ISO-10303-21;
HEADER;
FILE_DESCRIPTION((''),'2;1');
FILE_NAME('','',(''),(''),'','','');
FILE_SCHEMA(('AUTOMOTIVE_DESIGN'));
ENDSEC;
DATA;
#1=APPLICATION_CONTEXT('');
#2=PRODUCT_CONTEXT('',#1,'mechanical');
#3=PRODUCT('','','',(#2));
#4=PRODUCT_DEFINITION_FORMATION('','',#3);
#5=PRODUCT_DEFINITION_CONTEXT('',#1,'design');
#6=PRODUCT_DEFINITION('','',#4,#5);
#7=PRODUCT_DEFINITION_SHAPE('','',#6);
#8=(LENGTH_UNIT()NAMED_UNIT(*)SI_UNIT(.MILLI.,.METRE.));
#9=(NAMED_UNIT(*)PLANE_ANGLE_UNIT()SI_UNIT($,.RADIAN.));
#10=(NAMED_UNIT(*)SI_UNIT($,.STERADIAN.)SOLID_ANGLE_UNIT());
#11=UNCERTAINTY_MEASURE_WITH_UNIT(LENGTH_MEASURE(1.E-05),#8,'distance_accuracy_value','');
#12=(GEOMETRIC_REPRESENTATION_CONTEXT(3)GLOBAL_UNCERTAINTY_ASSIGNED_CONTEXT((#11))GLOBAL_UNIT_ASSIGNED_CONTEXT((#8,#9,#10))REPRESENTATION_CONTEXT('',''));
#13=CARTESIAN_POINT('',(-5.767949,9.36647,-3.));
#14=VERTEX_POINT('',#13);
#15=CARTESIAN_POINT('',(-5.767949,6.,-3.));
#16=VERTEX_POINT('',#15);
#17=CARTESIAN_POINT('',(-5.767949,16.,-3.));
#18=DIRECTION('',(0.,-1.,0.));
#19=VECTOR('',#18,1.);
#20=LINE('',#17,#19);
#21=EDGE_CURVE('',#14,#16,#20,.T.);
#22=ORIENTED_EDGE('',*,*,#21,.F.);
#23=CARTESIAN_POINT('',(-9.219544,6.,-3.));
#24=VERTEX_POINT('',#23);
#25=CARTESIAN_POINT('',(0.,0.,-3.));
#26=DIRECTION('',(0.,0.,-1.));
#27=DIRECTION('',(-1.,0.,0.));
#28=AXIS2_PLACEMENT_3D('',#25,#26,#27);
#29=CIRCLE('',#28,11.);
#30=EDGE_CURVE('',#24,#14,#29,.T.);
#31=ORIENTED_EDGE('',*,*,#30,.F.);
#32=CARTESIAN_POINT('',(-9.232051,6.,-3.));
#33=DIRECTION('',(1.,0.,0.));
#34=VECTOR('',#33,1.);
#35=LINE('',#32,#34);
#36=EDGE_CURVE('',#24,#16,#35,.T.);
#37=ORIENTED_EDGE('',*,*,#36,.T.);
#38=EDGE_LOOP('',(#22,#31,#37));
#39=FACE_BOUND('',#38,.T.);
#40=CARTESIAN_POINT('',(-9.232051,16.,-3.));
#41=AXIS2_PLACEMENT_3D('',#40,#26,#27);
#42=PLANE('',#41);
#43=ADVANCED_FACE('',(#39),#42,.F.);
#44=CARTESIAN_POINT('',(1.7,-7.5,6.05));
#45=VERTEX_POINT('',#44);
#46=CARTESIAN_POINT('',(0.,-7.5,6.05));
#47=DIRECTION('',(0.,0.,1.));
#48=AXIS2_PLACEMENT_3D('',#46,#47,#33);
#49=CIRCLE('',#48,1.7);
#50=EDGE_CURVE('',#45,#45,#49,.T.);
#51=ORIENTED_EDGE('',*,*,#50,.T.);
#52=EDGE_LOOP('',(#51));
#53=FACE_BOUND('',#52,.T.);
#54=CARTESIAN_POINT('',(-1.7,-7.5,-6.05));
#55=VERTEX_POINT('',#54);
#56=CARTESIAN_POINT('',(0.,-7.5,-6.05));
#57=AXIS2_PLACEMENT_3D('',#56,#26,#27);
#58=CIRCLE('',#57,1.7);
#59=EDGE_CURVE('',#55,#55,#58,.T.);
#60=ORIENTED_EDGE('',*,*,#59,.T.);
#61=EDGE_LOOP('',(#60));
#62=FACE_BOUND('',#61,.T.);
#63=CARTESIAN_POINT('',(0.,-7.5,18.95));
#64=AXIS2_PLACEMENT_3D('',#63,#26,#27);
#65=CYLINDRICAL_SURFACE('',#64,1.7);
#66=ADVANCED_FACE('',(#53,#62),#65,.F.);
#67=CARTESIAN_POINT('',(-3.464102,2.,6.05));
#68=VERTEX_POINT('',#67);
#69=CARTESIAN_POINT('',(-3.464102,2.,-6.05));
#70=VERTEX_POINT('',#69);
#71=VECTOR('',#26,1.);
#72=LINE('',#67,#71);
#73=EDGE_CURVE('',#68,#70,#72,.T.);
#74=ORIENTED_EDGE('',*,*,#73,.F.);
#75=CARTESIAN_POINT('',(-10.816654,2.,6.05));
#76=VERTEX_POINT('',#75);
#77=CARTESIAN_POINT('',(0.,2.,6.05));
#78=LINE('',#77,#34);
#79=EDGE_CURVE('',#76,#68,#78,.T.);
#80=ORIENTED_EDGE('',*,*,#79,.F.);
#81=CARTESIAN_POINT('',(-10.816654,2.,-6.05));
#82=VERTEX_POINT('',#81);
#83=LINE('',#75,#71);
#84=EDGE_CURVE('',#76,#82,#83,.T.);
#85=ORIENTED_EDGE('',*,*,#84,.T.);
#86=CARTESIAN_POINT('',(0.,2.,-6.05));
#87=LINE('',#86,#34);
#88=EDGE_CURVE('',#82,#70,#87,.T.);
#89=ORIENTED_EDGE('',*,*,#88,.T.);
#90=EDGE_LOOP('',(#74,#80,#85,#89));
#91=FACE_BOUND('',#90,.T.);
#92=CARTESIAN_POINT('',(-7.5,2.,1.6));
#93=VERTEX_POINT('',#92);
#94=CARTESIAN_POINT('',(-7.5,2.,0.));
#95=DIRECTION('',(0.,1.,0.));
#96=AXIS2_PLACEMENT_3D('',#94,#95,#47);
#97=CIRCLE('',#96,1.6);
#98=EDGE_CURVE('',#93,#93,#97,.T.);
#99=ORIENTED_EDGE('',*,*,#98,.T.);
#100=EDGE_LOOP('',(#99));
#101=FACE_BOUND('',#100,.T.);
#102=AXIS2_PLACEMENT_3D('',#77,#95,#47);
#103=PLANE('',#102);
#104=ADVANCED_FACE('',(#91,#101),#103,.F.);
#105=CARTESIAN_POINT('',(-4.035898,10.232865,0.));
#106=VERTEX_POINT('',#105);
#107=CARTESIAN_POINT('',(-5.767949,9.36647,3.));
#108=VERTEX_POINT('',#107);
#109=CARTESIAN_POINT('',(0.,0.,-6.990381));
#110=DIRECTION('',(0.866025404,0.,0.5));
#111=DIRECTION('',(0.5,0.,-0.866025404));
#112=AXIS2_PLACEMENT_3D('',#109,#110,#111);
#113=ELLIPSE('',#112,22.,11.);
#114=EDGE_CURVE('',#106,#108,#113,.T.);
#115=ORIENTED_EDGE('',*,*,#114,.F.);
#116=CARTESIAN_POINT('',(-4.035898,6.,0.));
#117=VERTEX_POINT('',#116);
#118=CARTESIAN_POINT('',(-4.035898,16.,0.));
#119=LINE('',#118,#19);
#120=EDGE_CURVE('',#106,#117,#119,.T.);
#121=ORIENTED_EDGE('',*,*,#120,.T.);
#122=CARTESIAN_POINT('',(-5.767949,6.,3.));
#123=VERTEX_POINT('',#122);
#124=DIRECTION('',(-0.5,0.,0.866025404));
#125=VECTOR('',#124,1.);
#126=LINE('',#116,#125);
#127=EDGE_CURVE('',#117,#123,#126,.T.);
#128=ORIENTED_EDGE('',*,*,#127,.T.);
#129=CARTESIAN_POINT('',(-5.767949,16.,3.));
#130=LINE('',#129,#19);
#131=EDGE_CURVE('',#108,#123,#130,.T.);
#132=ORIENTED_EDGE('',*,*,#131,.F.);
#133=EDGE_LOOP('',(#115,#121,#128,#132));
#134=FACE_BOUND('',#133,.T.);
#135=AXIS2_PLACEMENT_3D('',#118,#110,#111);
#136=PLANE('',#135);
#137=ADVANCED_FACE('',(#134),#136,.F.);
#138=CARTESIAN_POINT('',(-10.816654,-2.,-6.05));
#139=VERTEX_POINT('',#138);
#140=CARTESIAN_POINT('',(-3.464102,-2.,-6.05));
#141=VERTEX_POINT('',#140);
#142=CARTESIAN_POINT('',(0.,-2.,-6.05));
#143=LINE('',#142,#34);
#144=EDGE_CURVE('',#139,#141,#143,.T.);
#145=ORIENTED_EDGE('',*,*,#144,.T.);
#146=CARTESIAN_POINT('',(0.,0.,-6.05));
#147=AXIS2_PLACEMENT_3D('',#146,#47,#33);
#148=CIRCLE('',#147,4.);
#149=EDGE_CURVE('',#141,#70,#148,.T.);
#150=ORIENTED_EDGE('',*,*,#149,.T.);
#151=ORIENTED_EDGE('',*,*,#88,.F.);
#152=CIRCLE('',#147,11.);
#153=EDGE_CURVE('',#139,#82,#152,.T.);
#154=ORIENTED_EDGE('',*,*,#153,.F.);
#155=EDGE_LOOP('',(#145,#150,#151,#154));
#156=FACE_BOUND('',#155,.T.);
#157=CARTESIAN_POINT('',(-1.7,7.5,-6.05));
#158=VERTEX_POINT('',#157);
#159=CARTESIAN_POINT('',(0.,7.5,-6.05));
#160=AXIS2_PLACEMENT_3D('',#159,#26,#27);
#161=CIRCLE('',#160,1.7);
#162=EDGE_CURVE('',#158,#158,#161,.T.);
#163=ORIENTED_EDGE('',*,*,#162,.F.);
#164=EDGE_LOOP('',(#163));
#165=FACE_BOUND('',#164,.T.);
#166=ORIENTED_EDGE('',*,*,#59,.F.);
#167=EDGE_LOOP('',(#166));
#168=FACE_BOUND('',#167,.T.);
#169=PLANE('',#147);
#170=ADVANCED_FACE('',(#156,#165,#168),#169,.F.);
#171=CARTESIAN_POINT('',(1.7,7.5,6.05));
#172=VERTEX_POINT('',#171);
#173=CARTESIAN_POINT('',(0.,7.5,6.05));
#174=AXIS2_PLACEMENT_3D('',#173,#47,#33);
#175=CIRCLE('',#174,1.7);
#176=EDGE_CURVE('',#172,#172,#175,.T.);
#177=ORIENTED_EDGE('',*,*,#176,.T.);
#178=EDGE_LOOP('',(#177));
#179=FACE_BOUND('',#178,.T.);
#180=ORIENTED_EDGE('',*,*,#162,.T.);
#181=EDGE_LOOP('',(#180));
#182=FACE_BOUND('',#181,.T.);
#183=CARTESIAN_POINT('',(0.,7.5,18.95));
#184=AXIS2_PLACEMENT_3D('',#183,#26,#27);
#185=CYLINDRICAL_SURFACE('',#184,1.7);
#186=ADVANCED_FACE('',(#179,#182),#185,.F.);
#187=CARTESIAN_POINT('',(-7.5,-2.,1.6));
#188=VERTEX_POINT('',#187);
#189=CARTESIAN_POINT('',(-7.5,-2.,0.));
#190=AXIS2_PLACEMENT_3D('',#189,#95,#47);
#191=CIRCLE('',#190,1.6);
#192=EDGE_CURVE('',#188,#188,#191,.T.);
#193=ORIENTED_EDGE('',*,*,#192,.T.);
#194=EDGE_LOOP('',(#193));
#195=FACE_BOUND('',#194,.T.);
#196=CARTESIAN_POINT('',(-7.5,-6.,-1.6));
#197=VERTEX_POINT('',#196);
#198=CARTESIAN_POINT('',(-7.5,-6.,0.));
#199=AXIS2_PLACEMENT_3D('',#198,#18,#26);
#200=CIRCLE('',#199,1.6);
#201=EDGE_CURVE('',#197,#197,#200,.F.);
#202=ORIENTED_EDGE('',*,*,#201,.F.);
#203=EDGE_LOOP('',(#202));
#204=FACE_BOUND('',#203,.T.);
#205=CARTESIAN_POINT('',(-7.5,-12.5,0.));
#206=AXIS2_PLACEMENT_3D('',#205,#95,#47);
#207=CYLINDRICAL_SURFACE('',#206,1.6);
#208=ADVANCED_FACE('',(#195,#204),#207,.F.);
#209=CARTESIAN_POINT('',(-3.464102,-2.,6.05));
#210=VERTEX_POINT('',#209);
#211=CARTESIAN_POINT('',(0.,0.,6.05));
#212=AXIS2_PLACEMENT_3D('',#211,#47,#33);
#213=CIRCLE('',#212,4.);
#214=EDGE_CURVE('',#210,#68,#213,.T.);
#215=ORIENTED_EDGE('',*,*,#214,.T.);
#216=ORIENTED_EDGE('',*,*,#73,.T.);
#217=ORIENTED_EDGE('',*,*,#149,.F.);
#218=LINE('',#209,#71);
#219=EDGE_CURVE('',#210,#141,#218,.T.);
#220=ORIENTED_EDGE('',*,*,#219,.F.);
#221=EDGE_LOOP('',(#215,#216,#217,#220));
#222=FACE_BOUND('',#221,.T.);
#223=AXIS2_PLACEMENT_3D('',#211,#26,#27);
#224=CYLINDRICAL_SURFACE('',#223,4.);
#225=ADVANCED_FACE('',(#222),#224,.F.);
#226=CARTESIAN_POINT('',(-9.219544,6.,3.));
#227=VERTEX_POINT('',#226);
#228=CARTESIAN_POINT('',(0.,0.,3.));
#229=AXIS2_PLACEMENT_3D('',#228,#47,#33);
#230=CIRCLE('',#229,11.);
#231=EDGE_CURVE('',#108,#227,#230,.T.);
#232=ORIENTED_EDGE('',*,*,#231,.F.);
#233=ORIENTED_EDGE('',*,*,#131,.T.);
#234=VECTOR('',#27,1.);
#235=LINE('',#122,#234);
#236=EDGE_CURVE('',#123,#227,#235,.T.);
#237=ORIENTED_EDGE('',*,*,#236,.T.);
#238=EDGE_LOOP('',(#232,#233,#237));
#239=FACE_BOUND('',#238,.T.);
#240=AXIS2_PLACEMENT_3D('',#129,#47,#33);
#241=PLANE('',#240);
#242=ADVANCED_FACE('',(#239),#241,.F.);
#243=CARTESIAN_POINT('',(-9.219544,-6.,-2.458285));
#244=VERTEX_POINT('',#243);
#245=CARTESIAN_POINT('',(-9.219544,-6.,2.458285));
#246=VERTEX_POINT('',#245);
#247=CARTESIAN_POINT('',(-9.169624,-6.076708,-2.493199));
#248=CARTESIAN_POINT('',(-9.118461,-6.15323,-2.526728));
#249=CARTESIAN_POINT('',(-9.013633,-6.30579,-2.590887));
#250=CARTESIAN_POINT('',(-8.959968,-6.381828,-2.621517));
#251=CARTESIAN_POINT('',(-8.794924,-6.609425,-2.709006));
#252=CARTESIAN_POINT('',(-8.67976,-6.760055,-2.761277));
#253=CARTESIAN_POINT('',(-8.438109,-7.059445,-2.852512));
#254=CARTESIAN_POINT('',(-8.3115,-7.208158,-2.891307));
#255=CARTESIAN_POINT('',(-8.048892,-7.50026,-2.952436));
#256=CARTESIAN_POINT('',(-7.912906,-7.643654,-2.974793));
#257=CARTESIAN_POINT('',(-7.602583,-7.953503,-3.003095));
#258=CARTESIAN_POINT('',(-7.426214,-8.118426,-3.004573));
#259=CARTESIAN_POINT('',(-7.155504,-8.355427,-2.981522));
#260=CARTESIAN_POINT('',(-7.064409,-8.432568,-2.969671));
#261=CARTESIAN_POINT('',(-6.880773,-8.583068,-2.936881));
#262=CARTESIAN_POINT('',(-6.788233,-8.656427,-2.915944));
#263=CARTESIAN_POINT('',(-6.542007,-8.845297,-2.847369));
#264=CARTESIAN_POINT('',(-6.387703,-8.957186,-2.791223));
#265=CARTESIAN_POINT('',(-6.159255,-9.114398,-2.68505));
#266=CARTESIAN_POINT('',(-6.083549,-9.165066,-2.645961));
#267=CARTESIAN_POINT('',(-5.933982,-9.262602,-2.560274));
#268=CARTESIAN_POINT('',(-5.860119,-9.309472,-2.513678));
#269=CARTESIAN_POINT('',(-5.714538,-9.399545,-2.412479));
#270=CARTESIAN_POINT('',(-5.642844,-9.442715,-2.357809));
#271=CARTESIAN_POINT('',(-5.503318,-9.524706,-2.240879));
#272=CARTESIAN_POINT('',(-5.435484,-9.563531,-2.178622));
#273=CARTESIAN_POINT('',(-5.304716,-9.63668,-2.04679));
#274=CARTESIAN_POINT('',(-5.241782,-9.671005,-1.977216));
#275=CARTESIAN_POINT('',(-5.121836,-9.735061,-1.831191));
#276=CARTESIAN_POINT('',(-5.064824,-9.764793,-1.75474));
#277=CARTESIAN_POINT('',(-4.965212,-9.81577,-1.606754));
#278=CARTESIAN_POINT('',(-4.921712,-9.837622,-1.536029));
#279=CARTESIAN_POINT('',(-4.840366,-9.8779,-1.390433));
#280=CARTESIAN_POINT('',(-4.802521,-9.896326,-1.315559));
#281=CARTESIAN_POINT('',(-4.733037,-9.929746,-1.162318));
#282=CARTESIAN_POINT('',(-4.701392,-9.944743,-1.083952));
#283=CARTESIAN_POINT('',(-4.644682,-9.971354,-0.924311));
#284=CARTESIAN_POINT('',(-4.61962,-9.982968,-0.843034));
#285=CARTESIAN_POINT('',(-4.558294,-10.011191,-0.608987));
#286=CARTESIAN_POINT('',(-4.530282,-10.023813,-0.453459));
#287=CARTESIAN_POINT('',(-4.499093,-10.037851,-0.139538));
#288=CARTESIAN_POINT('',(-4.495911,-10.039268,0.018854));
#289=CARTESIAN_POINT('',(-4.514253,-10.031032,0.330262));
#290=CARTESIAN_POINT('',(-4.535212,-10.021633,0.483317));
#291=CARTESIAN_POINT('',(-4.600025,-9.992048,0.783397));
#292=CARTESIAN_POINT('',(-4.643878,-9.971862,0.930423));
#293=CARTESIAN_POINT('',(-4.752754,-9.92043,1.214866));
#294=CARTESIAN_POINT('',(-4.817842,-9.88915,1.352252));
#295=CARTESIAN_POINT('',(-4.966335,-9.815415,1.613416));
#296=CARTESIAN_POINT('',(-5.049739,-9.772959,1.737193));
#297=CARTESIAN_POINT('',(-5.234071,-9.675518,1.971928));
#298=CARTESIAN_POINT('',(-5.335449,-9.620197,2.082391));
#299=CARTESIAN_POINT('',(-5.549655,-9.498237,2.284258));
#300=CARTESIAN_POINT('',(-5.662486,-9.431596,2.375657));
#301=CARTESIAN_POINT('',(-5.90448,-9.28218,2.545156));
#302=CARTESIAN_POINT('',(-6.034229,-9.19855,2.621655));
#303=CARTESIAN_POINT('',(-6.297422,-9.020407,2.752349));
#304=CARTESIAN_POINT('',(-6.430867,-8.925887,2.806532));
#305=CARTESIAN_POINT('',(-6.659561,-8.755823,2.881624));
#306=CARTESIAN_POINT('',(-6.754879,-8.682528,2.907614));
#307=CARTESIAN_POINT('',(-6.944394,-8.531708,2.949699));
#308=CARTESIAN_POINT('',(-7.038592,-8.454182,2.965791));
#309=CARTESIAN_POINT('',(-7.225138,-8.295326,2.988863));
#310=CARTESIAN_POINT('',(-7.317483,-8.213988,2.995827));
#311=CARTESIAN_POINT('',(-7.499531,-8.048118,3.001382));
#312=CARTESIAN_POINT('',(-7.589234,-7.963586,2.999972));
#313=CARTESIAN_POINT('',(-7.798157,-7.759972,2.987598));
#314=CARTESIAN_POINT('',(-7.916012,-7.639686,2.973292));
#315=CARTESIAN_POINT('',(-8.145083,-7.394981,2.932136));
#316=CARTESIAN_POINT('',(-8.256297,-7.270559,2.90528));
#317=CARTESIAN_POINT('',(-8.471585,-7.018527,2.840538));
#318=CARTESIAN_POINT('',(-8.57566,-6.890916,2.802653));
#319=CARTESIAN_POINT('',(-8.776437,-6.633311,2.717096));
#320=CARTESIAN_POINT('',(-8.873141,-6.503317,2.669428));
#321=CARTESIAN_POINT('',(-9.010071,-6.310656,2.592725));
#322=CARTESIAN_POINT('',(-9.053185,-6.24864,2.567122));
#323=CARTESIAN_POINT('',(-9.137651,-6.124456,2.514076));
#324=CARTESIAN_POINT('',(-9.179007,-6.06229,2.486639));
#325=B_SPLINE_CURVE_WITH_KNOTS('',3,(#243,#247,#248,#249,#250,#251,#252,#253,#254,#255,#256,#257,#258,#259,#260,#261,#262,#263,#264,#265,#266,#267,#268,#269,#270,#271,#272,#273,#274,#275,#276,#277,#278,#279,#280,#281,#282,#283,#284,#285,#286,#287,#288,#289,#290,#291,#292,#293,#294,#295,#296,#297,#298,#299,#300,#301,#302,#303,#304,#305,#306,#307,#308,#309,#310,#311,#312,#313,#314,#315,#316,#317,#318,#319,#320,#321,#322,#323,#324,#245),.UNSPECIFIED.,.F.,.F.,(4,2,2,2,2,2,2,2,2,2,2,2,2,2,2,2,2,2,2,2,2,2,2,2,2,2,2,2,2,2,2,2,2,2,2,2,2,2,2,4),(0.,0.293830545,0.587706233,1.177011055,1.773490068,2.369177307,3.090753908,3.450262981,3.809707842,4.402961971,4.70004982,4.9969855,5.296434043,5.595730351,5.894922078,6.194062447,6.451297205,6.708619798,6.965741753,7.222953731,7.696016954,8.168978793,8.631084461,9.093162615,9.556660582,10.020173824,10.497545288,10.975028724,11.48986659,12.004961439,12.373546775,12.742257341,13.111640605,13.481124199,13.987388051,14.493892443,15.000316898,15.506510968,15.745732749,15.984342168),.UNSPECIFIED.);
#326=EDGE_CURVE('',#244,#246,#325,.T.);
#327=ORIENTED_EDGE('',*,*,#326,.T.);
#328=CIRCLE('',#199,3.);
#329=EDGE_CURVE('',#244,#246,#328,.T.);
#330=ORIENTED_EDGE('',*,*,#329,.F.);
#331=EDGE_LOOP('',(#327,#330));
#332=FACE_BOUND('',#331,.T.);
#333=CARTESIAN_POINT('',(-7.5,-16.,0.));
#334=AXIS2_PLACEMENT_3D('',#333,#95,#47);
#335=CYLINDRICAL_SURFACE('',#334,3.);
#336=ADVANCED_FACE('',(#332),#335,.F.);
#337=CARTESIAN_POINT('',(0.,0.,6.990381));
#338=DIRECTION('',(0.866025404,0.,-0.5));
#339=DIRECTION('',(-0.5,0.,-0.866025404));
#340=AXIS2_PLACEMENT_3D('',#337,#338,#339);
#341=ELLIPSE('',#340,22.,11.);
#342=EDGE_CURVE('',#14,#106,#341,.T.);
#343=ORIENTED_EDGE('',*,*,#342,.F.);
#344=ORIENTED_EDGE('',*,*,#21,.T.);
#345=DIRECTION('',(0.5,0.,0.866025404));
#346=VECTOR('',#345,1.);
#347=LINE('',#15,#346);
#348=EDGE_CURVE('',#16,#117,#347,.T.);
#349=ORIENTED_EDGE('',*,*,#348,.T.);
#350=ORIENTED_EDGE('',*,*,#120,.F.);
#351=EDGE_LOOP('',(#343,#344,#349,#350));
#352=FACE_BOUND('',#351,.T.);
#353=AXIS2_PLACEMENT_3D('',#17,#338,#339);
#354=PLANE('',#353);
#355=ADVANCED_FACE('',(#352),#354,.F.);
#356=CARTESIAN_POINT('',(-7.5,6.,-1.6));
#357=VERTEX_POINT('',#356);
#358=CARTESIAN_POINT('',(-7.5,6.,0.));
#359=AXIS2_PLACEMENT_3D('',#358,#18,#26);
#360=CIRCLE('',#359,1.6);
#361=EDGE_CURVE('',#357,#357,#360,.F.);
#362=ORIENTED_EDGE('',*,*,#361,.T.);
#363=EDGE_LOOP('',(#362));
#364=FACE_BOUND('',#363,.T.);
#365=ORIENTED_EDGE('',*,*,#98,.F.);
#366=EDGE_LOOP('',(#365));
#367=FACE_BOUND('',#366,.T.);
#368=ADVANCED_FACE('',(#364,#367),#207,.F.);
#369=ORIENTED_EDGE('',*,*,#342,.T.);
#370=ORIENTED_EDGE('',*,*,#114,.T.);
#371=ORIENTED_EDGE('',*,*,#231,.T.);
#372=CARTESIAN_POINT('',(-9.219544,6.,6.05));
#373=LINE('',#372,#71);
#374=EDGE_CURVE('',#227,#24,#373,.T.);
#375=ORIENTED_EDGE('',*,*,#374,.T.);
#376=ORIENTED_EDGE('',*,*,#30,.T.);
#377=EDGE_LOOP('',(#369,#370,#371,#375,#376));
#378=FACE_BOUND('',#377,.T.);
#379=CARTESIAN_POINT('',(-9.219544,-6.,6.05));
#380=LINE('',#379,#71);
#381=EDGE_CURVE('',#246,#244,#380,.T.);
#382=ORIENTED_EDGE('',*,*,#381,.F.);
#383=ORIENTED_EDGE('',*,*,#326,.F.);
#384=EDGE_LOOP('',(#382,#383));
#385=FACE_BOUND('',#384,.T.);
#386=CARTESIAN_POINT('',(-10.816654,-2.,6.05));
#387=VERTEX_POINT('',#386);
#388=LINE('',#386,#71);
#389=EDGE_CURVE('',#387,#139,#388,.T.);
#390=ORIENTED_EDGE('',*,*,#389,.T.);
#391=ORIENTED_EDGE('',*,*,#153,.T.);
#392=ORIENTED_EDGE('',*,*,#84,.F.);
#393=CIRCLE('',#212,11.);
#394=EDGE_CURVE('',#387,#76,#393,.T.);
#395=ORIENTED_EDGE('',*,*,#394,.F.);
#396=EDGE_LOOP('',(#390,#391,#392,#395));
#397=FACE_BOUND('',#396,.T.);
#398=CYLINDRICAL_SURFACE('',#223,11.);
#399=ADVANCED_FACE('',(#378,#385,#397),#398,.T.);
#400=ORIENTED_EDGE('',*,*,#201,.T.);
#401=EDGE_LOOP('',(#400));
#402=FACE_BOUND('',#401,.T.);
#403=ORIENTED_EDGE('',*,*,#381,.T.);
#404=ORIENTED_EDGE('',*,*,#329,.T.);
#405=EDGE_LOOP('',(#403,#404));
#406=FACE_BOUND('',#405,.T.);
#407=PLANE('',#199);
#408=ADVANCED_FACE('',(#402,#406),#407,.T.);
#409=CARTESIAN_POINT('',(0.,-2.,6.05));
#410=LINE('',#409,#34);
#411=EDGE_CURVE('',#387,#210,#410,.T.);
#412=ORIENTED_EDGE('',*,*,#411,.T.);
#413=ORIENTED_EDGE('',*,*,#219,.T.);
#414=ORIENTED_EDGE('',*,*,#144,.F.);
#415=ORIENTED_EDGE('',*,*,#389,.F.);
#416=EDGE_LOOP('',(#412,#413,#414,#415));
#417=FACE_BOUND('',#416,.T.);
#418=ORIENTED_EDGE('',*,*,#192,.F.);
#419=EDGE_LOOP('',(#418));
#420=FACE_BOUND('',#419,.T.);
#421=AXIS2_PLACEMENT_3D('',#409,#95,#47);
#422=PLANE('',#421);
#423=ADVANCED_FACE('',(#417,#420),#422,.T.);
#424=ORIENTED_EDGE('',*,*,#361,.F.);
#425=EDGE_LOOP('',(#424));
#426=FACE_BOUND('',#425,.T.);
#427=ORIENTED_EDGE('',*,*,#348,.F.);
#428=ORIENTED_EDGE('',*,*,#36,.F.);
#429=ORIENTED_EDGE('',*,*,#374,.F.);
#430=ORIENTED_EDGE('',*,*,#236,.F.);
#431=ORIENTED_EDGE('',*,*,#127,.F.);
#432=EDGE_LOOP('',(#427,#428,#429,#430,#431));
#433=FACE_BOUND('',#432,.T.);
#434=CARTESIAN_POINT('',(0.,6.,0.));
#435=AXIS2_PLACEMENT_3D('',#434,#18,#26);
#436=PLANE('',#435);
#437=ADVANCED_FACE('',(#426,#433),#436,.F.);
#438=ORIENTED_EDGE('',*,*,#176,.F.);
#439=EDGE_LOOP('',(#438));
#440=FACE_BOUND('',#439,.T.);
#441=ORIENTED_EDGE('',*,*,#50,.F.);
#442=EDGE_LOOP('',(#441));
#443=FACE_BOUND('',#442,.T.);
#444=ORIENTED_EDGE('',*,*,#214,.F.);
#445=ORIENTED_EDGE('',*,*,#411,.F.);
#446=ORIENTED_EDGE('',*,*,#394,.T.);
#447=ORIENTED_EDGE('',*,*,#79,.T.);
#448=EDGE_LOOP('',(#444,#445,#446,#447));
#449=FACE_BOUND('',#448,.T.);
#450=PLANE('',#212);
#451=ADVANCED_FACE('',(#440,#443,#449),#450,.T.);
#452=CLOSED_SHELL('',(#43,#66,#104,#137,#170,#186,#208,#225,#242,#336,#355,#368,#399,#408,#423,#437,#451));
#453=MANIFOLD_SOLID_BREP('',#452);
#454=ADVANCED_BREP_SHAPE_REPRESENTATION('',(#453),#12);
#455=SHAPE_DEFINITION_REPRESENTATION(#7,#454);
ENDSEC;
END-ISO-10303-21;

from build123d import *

# Parameters (mm, degrees)
EXTRUDE_1_DEPTH     = 6.05
SKETCH_3_R          = 1.6
CUT_EXTRUDE_1_DEPTH = 12.5
SKETCH_4_R          = 1.7
CUT_EXTRUDE_2_DEPTH = 25
SKETCH_5_R          = 3
CUT_EXTRUDE_3_DEPTH = 10
CUT_EXTRUDE_4_DEPTH = 10


with BuildPart() as part:
    # 草图1 → 凸台-拉伸1 (new, symmetric)
    with BuildSketch(Plane.XY):
        with BuildLine():
            ThreePointArc((-3.464101615, 2), (1.03527618, 3.863703305), (4, 0))
            Line((4, 0), (11, 0))
            ThreePointArc((11, 0), (1.004193186, 10.954067557), (-10.816653826, 2))
            Line((-10.816653826, 2), (-3.464101615, 2))
        make_face()
        with BuildLine():
            Line((11, 0), (4, 0))
            ThreePointArc((4, 0), (1.03527618, -3.863703305), (-3.464101615, -2))
            Line((-3.464101615, -2), (-10.816653826, -2))
            ThreePointArc((-10.816653826, -2), (1.004193186, -10.954067557), (11, 0))
        make_face()
    extrude(amount=EXTRUDE_1_DEPTH, both=True)

    # 草图3 → 切除-拉伸1 (cut, symmetric)
    with BuildSketch(Plane(origin=(0, 0, 0), x_dir=(1, 0, 0), z_dir=(0, 1, 0))):
        with Locations(Location((-7.5, 0, 0), (0, 0, 270))):
            Circle(SKETCH_3_R)
    extrude(amount=CUT_EXTRUDE_1_DEPTH, both=True, mode=Mode.SUBTRACT)

    # 草图4 → 切除-拉伸2 (cut)
    with BuildSketch(Plane(origin=(0, 0, -6.05), x_dir=(-1, 0, 0), z_dir=(0, 0, -1))):
        with Locations((0, 7.5)):
            Circle(SKETCH_4_R)
        with Locations((0, -7.5)):
            Circle(SKETCH_4_R)
    extrude(amount=-CUT_EXTRUDE_2_DEPTH, mode=Mode.SUBTRACT)

    # 草图5 → 切除-拉伸3 (cut)
    with BuildSketch(Plane(origin=(0, -6, 0), x_dir=(-1, 0, 0), z_dir=(0, -1, 0))):
        with Locations((7.5, 0)):
            Circle(SKETCH_5_R)
    extrude(amount=CUT_EXTRUDE_3_DEPTH, mode=Mode.SUBTRACT)

    # 草图6 → 切除-拉伸4 (cut)
    with BuildSketch(Plane(origin=(0, 6, 0), x_dir=(-1, 0, 0), z_dir=(0, -1, 0))):
        Polygon((10.964101615, 0), (9.232050808, 3), (5.767949192, 3), (4.035898385, 0), (5.767949192, -3), (9.232050808, -3), align=None)
    extrude(amount=-CUT_EXTRUDE_4_DEPTH, mode=Mode.SUBTRACT)


solid = part.part
